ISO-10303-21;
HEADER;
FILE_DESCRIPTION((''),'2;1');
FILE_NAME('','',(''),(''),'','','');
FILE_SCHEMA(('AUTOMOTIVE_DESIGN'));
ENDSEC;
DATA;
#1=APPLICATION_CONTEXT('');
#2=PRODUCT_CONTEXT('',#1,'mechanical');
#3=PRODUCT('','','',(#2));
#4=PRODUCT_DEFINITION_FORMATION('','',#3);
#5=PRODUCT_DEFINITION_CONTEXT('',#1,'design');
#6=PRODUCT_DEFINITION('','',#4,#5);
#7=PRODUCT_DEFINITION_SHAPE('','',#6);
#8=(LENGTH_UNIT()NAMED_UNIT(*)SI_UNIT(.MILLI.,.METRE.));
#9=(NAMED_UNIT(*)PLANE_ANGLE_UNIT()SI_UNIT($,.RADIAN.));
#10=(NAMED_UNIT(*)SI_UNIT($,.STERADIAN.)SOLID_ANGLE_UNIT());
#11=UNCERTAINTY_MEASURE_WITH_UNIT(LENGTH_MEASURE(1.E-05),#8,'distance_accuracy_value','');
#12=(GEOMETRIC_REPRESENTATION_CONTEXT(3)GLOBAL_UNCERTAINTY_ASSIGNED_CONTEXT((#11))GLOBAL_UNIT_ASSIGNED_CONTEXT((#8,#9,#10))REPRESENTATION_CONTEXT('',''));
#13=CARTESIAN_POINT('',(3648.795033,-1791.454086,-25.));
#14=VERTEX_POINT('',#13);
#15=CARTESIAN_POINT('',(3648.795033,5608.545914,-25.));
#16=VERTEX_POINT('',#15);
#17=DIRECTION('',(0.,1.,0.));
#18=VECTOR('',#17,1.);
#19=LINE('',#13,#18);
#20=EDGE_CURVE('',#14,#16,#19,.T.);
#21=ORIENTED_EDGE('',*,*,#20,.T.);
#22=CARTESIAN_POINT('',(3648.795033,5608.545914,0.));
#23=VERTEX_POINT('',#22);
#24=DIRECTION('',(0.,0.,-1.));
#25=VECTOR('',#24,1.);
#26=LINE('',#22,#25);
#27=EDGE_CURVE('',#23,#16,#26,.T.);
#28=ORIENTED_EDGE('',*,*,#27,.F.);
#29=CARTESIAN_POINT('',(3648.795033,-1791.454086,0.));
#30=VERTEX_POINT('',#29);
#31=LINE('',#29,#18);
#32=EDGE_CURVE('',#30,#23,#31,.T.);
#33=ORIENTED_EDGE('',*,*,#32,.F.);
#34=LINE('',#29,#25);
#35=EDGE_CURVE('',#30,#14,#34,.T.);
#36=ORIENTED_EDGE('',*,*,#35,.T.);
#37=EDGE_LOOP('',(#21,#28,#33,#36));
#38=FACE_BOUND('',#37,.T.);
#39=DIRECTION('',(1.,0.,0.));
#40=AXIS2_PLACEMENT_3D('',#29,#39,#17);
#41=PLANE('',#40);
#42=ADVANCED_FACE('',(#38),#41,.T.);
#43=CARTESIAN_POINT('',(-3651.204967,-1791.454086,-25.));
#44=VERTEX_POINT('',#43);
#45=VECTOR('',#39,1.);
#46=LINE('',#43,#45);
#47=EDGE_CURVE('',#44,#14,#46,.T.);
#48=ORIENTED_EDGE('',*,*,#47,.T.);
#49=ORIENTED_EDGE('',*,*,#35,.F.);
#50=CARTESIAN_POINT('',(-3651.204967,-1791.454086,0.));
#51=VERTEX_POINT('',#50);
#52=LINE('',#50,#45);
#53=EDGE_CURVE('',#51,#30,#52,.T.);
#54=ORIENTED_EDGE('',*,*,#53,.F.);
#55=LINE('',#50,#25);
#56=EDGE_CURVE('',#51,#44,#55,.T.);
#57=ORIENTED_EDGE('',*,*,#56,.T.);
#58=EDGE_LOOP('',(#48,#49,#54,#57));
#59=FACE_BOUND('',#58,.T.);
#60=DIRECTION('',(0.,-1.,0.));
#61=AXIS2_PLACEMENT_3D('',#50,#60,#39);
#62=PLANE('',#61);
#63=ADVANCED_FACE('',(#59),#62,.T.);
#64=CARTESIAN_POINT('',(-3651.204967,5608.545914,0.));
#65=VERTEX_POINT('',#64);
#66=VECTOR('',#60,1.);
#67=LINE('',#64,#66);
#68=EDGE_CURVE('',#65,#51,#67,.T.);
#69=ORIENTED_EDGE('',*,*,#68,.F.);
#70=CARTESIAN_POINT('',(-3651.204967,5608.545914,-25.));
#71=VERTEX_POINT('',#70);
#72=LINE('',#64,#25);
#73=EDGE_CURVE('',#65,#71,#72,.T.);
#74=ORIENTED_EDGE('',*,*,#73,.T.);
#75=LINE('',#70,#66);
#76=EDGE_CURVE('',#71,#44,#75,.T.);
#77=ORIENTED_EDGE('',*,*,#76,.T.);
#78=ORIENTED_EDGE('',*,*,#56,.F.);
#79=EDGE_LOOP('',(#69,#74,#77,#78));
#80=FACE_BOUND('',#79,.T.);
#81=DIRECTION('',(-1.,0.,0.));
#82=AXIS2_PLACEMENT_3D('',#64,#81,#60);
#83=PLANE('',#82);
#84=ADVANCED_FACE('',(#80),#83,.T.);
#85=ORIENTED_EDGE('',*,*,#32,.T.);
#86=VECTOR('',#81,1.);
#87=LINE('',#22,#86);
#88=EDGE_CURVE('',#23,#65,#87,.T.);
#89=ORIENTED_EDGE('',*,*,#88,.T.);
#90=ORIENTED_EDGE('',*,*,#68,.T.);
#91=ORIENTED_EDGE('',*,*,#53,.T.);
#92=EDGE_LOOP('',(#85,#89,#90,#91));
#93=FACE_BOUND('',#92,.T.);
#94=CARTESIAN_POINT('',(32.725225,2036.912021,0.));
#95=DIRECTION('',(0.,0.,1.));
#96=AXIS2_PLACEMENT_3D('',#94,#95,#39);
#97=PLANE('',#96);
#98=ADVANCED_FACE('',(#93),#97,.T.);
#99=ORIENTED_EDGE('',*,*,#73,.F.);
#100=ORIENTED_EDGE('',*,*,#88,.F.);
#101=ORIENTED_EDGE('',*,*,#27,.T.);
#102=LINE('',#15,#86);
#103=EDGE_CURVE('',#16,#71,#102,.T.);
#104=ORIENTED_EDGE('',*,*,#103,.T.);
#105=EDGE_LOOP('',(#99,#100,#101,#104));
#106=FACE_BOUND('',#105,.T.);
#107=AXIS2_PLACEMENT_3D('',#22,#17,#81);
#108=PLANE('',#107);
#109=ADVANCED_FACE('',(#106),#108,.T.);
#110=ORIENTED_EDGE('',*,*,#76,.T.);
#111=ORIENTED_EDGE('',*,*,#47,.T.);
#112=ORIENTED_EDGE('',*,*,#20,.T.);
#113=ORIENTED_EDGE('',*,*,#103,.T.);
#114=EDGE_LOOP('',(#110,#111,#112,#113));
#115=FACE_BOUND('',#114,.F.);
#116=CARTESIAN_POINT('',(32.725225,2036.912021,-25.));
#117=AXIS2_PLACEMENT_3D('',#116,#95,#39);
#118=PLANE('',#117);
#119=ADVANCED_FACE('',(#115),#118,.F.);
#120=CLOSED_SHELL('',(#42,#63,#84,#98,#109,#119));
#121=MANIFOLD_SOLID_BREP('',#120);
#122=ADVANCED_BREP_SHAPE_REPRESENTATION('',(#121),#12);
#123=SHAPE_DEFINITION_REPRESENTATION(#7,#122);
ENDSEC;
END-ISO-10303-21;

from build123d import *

# Parameters (mm, degrees)
F0_W     = 3176.3504743576
F0_H     = 1583.27783626
F1_DEPTH = 25


with BuildPart() as f1:
    # F0 (on Top) → F1 (new body)
    with BuildSketch(Plane.XY):
        Polygon((-1240.4239177704, 5608.5459141103), (-3651.2049674988, 5608.5459141103), (-3651.2049674988, -1791.4540858897), (3648.7950325012, -1791.4540858897), (3648.7950325012, 5608.5459141103), (1935.9265565872, 5608.5459141103), (1935.9265565872, 4025.2680778503), (-1240.4239177704, 4025.2680778503), align=None)
        with Locations((347.7513194084, 4816.9069959803)):
            Rectangle(F0_W, F0_H)
    extrude(amount=-F1_DEPTH)


solid = f1.part
